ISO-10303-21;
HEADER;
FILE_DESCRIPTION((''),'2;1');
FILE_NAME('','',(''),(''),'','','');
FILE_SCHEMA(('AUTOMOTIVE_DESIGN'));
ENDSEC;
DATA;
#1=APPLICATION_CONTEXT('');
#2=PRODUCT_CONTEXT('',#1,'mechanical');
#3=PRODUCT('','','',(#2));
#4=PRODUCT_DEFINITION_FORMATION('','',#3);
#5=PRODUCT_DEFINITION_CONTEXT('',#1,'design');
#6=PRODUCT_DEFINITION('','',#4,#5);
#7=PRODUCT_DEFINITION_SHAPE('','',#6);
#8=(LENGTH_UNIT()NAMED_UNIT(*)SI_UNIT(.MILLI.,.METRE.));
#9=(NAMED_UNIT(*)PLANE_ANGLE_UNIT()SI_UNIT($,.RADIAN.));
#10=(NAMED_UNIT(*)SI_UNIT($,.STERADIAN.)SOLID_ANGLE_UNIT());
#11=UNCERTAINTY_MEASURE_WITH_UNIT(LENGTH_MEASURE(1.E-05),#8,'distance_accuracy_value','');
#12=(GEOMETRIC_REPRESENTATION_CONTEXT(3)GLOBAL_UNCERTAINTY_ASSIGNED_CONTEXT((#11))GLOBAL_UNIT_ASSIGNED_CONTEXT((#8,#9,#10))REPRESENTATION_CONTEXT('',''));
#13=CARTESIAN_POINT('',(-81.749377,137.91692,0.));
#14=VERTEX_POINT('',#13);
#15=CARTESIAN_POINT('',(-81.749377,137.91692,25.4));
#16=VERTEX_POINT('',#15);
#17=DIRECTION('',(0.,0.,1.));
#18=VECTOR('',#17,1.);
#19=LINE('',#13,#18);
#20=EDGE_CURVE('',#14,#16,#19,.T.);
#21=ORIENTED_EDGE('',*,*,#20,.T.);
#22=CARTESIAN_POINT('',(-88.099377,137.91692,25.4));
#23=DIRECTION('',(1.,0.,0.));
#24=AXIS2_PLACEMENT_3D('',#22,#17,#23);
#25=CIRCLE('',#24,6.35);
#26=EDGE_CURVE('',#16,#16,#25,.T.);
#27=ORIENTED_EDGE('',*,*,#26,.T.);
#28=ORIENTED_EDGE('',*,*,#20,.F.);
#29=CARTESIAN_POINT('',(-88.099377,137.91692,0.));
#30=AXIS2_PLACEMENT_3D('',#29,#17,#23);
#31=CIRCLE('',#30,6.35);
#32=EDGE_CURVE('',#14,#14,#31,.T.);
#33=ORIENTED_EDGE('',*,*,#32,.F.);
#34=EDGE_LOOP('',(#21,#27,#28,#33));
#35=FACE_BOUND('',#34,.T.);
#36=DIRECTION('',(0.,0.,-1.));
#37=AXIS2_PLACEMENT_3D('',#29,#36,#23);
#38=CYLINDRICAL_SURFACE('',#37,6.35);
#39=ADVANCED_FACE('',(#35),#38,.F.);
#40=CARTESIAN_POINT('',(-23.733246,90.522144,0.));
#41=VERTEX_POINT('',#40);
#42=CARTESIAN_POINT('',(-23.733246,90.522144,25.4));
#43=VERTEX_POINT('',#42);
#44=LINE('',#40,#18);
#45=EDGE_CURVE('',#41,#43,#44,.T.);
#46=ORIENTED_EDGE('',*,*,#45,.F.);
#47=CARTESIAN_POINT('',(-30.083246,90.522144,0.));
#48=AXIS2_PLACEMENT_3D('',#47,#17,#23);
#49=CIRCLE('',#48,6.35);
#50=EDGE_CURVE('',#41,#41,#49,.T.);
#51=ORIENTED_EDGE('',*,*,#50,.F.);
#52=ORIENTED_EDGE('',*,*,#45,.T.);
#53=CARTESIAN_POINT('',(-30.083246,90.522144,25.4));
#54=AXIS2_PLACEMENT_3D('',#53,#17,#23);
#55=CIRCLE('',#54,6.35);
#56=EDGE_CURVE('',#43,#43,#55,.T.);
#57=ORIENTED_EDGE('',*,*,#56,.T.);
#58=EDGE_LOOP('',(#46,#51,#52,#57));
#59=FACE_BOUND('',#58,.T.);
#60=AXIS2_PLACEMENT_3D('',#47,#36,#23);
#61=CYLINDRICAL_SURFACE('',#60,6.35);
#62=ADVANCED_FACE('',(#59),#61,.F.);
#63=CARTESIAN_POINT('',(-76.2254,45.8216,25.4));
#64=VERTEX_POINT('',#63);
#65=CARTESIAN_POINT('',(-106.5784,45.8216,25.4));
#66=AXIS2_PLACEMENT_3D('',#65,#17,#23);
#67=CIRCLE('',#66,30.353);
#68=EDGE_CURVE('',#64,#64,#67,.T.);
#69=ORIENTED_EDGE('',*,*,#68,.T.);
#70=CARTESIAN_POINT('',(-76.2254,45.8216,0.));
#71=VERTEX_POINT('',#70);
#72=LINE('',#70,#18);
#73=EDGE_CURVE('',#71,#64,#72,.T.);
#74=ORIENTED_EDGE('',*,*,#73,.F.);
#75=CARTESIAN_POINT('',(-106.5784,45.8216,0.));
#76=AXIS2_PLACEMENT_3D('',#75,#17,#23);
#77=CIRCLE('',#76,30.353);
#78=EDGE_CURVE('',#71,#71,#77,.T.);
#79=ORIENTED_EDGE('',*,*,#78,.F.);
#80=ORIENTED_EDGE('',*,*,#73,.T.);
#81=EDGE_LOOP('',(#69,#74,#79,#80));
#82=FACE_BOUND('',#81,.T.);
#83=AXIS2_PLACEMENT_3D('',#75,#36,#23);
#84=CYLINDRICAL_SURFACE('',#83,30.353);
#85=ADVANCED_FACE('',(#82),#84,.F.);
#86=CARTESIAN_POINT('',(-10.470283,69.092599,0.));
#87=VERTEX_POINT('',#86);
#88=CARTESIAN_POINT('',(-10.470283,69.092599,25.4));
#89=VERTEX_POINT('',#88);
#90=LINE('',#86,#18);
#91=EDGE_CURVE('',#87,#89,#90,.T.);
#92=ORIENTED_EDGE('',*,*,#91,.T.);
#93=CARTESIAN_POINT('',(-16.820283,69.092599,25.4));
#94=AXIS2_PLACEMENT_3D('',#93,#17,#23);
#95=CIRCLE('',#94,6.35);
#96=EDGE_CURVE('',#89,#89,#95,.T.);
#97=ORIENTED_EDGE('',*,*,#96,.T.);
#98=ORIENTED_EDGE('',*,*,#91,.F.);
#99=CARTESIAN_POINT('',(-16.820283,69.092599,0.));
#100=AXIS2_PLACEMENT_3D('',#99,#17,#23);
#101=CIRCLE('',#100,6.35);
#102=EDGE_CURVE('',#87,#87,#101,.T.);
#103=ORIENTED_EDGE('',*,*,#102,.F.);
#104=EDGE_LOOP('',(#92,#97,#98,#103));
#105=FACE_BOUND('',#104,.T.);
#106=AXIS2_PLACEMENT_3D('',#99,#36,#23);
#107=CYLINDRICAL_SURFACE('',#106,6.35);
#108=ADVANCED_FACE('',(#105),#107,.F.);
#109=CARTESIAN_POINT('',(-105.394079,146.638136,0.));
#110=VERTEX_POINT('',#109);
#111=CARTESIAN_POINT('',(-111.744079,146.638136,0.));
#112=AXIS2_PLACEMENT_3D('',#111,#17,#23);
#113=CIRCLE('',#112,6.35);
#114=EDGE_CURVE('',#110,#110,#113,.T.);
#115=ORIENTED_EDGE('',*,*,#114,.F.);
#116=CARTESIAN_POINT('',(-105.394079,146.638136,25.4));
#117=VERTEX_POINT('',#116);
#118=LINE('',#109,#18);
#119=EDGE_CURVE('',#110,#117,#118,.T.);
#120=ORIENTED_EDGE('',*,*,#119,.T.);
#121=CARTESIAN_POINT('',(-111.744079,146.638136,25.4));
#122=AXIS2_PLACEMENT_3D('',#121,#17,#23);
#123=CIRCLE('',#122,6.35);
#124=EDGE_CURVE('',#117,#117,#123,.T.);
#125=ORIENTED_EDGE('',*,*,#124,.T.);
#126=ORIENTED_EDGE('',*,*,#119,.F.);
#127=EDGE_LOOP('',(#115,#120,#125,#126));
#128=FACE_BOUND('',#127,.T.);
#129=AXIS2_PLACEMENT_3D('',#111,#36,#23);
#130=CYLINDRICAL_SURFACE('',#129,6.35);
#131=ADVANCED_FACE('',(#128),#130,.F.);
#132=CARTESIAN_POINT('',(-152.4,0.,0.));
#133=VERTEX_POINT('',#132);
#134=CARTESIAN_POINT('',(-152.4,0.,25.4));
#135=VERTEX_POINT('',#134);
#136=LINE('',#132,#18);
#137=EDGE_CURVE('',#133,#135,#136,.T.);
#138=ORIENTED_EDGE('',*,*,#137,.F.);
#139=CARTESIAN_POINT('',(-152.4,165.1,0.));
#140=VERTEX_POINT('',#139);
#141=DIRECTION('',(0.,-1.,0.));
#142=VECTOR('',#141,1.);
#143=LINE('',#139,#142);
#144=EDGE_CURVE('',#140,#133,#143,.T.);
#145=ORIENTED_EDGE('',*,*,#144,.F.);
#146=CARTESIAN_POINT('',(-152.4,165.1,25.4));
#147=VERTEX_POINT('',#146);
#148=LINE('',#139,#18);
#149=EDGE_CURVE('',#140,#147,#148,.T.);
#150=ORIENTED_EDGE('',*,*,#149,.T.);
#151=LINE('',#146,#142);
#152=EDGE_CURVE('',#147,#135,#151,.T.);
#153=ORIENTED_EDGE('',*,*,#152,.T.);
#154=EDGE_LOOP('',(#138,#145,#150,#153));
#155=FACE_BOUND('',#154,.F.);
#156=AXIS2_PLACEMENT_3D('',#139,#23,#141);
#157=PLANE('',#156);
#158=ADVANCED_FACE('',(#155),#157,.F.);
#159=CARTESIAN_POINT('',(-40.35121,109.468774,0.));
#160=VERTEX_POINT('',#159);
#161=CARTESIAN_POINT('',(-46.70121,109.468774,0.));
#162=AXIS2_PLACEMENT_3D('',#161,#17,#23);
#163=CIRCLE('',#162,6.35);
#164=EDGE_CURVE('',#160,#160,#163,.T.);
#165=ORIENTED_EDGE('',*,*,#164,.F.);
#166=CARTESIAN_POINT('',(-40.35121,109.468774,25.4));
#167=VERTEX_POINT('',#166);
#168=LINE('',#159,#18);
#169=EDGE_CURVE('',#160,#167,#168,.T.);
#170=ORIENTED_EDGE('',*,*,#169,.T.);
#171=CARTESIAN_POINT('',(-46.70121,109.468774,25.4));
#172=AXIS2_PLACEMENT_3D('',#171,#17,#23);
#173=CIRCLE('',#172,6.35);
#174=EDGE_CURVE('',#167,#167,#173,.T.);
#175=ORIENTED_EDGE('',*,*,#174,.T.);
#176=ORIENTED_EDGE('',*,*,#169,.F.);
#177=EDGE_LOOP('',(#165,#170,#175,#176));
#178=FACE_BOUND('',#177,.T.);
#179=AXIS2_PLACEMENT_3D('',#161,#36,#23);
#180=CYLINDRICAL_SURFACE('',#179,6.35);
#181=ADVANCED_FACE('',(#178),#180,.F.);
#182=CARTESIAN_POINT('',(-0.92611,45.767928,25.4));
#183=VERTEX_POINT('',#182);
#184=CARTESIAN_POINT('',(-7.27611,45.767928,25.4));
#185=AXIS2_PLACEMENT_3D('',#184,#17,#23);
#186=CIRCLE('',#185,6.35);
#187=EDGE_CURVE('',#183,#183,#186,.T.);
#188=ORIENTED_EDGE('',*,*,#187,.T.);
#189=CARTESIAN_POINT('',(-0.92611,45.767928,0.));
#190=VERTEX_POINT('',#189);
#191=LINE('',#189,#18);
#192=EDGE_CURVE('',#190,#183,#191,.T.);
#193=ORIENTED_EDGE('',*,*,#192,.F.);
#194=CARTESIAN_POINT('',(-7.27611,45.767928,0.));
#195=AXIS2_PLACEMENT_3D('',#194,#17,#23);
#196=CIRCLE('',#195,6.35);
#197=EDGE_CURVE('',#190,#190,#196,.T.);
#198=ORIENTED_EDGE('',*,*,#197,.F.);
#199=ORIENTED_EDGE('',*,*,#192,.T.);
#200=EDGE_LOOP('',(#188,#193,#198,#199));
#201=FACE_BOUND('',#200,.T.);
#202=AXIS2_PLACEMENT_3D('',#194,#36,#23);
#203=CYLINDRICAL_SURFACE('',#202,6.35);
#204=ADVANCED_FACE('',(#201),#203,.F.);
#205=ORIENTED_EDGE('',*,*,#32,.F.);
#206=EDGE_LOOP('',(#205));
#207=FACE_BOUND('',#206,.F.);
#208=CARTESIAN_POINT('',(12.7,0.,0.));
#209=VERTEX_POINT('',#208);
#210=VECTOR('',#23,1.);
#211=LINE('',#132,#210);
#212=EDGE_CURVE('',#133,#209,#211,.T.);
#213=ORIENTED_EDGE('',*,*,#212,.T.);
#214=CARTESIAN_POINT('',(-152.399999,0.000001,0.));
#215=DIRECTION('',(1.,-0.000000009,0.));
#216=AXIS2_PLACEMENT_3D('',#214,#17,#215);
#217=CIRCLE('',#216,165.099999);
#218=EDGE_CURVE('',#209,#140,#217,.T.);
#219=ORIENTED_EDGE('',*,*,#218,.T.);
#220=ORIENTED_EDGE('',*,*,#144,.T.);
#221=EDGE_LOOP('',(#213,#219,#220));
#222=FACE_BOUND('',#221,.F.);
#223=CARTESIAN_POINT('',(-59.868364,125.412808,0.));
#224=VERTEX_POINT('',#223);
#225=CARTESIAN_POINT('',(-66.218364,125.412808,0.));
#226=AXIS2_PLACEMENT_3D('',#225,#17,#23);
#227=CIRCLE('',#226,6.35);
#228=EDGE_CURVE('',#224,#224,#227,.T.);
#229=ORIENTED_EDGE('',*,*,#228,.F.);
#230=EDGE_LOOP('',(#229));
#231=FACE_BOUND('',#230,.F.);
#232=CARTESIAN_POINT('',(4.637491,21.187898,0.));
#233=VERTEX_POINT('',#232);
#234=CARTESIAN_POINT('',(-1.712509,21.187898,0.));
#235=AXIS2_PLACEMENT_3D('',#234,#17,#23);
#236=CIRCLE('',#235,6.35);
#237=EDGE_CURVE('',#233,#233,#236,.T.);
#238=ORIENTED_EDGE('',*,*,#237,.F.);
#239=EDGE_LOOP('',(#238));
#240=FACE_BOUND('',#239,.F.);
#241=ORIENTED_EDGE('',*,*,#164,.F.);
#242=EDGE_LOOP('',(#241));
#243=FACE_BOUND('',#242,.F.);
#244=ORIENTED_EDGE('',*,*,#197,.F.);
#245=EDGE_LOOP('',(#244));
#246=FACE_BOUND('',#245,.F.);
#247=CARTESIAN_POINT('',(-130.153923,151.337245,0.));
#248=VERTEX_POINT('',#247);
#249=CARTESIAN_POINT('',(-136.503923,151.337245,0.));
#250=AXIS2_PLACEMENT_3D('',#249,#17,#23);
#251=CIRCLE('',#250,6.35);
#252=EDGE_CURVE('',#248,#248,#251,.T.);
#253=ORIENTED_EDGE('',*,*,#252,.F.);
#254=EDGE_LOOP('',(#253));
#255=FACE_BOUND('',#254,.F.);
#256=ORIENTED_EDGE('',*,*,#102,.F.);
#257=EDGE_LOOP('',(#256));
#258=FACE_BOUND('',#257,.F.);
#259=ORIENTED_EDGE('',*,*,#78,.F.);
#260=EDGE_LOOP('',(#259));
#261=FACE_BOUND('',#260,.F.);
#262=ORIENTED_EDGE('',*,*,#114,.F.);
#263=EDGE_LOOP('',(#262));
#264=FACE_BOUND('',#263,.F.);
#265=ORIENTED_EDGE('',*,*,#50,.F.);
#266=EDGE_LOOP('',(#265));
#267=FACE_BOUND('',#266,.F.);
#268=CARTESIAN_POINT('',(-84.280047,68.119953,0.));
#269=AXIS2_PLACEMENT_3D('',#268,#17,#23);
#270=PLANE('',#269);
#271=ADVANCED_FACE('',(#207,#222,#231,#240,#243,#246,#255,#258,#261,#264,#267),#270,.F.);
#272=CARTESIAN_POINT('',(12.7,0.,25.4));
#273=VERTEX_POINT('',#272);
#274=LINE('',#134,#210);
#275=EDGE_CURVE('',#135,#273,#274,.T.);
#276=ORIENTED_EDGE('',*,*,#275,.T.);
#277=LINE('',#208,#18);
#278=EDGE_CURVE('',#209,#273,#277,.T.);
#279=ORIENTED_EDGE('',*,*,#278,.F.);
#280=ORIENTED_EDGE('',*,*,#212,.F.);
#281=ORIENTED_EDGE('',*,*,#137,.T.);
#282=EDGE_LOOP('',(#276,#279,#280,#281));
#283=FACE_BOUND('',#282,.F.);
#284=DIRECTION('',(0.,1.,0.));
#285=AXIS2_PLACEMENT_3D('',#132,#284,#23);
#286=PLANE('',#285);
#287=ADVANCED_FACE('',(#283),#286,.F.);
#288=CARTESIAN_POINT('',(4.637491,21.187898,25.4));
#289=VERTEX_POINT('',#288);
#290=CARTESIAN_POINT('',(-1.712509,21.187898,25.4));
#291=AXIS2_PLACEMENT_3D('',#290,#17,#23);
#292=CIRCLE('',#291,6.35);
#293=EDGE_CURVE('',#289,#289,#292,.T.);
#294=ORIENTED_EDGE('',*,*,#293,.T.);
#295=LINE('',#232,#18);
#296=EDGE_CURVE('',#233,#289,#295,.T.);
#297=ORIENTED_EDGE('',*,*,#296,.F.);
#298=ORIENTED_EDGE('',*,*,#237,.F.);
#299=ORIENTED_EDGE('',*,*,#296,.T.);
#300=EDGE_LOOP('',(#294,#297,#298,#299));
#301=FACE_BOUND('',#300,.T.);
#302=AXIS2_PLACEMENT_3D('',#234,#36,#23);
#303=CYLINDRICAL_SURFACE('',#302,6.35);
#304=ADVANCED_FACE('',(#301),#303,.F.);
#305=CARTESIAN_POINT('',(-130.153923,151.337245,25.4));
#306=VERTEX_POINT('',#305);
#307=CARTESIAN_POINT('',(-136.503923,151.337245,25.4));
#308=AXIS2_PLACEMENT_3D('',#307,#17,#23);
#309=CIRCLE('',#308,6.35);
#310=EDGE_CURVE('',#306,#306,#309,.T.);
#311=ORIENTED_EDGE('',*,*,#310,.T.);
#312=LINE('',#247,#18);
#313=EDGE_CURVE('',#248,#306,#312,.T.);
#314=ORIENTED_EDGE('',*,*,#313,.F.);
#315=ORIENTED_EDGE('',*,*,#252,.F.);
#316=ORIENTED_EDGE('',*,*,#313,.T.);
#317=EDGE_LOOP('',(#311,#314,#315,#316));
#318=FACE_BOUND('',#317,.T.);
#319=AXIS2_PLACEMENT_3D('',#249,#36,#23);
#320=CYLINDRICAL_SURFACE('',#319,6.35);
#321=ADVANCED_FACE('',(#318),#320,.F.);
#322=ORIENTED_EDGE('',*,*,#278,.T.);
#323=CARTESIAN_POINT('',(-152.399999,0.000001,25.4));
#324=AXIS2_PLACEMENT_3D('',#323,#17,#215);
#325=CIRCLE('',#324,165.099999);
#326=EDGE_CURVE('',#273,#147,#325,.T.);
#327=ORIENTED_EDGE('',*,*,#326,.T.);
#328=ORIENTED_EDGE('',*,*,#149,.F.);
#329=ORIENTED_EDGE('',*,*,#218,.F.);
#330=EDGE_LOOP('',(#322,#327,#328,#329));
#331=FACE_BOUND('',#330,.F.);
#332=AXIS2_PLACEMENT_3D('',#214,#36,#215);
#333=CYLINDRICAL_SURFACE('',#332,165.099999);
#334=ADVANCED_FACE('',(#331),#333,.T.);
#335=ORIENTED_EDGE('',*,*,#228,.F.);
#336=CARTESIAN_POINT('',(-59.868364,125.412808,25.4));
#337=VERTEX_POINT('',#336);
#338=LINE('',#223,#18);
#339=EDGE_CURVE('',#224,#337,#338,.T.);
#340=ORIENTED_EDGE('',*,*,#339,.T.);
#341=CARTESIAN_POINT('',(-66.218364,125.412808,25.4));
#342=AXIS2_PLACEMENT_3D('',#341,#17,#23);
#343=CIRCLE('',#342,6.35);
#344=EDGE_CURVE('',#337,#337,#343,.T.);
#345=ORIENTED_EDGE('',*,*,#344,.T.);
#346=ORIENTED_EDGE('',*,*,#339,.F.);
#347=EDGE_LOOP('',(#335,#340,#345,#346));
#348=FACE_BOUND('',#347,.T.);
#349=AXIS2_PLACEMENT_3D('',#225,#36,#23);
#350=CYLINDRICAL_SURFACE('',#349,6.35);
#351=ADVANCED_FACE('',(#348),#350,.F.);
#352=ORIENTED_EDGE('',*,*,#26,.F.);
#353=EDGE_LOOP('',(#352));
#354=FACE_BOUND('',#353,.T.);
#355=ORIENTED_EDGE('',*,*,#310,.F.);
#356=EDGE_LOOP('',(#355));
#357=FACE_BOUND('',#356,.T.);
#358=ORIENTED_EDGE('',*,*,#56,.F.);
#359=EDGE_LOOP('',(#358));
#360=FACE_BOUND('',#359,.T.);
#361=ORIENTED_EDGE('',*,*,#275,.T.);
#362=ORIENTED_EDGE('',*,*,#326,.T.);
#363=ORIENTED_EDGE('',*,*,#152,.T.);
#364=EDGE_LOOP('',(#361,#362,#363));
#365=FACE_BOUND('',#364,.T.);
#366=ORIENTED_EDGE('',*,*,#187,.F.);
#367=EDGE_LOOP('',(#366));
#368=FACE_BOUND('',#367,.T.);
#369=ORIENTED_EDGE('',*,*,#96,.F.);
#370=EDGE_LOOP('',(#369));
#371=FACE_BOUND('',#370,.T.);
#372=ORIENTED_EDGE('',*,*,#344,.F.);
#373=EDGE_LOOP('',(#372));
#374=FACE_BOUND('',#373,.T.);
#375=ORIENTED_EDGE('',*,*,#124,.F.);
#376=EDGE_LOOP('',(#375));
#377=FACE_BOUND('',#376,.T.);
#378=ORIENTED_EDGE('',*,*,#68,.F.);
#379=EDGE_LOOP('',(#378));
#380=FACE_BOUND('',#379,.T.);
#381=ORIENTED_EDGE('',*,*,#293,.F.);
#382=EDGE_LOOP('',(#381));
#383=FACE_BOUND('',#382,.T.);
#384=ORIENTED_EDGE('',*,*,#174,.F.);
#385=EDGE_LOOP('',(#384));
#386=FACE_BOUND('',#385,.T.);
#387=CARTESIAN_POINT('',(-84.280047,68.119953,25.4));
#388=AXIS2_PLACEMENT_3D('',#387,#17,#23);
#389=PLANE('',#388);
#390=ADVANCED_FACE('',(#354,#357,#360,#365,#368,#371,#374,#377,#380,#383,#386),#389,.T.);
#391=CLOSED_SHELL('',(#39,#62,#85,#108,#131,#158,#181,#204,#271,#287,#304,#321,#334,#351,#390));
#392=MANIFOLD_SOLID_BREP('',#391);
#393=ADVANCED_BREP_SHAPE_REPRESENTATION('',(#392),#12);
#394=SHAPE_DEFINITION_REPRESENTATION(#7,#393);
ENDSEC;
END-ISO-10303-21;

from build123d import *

# Parameters (mm, degrees)
F0_R     = 30.353
F0_R_2   = 6.35
F1_DEPTH = 25.4


with BuildPart() as f1:
    # F0 (on Top) → F1 (new body)
    with BuildSketch(Plane.XY):
        with BuildLine():
            Line((-152.4, 0), (12.7, 0))
            ThreePointArc((12.7, 0), (-35.65667, 116.74333), (-152.4, 165.1))
            Line((-152.4, 165.1), (-152.4, 0))
        make_face()
        with Locations((-106.5784, 45.8216)):
            Circle(F0_R, mode=Mode.SUBTRACT)
        with Locations((-1.712509, 21.187898)):
            Circle(F0_R_2, mode=Mode.SUBTRACT)
        with Locations((-7.27611, 45.767928)):
            Circle(F0_R_2, mode=Mode.SUBTRACT)
        with Locations((-16.820283, 69.092599)):
            Circle(F0_R_2, mode=Mode.SUBTRACT)
        with Locations((-136.503923, 151.337245)):
            Circle(F0_R_2, mode=Mode.SUBTRACT)
        with Locations((-111.744079, 146.638136)):
            Circle(F0_R_2, mode=Mode.SUBTRACT)
        with Locations((-88.099377, 137.91692)):
            Circle(F0_R_2, mode=Mode.SUBTRACT)
        with Locations((-30.083246, 90.522144)):
            Circle(F0_R_2, mode=Mode.SUBTRACT)
        with Locations((-46.70121, 109.468774)):
            Circle(F0_R_2, mode=Mode.SUBTRACT)
        with Locations((-66.218364, 125.412808)):
            Circle(F0_R_2, mode=Mode.SUBTRACT)
    extrude(amount=F1_DEPTH)


solid = f1.part
